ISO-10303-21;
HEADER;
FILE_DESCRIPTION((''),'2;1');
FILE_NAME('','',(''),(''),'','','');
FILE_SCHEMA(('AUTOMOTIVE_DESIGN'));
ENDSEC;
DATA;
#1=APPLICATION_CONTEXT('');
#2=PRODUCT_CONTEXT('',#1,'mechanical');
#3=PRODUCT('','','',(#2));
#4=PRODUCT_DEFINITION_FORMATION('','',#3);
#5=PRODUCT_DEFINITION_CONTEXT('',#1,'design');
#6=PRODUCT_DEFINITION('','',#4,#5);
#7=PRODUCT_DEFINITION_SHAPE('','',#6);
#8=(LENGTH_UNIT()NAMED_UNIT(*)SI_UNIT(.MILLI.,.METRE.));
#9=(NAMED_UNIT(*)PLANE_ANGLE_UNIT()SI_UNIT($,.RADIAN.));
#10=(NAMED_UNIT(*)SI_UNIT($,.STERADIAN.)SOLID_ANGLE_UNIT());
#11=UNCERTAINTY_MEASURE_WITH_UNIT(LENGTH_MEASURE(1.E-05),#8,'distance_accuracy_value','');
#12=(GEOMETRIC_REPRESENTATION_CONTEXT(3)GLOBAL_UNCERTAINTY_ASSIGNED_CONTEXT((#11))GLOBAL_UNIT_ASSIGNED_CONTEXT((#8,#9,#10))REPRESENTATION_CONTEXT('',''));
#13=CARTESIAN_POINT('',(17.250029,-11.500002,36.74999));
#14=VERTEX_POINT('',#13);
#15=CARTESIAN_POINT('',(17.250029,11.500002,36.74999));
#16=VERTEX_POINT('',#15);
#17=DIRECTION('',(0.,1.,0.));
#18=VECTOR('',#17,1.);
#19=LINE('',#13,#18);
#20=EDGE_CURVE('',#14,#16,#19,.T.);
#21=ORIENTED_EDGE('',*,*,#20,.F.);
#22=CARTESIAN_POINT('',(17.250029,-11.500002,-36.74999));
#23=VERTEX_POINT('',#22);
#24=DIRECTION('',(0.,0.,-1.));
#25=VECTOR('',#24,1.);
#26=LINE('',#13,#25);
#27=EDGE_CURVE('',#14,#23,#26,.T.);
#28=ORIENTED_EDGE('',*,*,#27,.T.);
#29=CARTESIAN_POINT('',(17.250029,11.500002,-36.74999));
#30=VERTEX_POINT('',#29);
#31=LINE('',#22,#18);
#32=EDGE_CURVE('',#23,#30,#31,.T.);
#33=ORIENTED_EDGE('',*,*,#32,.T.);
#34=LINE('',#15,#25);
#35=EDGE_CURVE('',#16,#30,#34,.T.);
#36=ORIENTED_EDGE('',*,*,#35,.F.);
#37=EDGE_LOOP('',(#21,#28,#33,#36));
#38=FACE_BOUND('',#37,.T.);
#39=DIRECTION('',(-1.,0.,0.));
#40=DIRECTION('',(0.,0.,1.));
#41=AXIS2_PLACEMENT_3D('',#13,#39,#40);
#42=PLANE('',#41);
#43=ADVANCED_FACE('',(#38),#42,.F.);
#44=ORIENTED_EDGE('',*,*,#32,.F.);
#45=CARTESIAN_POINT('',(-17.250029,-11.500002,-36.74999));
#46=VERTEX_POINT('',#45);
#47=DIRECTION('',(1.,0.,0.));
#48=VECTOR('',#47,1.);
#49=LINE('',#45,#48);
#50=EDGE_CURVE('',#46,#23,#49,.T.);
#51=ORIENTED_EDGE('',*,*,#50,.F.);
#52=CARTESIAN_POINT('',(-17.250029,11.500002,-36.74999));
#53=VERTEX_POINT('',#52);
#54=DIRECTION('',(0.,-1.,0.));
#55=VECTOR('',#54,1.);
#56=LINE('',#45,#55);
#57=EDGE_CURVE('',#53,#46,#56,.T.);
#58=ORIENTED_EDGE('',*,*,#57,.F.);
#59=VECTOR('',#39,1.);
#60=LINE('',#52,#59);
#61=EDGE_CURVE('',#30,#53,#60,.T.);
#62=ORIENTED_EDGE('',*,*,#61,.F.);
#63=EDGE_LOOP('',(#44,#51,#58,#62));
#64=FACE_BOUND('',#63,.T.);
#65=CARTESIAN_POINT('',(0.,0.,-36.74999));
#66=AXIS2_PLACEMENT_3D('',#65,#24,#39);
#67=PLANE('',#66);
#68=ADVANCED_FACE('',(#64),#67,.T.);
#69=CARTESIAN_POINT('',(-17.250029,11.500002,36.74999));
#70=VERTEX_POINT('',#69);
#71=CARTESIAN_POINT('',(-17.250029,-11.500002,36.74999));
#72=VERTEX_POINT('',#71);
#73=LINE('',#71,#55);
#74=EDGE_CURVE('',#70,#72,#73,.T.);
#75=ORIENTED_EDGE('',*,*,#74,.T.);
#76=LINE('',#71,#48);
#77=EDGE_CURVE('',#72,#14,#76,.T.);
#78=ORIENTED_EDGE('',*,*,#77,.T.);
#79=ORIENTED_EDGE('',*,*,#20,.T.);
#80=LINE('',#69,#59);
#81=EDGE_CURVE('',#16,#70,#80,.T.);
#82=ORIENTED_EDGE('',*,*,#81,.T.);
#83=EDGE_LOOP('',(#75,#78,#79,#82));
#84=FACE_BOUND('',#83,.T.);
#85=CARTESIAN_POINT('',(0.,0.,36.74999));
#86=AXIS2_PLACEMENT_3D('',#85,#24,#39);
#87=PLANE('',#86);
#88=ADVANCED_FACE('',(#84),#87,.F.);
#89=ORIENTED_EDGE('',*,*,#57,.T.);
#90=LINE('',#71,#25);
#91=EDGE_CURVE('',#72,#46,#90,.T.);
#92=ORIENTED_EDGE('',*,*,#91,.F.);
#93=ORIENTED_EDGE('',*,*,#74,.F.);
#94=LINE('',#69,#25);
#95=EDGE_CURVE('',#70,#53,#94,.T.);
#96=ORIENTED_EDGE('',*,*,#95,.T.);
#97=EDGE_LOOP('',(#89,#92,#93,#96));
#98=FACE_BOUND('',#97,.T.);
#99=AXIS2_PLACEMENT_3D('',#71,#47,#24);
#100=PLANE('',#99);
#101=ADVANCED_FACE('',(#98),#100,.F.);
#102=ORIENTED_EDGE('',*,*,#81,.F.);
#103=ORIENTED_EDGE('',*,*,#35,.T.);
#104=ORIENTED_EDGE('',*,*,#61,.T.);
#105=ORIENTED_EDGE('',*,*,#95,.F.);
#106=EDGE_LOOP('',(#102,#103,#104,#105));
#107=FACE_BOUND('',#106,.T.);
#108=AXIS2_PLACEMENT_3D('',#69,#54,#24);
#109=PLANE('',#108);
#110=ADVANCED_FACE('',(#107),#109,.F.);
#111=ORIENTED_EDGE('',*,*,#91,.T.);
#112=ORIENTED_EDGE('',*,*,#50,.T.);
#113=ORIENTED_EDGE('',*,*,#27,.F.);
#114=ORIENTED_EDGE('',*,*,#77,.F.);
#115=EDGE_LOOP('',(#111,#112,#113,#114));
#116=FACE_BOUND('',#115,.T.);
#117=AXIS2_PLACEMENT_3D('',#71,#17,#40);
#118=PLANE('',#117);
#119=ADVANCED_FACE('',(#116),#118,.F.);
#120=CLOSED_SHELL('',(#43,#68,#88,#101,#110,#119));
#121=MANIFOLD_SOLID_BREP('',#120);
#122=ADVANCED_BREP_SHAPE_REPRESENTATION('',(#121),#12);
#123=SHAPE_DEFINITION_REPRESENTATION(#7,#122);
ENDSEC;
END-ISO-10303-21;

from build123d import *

# Parameters (mm, degrees)
SKETCH1_W           = 34.500058
SKETCH1_H           = 23.0000048
BOSS_EXTRUDE1_DEPTH = 36.74999


with BuildPart() as part:
    # Sketch1 → Boss-Extrude1 (new, symmetric)
    with BuildSketch(Plane.XY):
        Rectangle(SKETCH1_W, SKETCH1_H)
    extrude(amount=BOSS_EXTRUDE1_DEPTH, both=True)


solid = part.part
